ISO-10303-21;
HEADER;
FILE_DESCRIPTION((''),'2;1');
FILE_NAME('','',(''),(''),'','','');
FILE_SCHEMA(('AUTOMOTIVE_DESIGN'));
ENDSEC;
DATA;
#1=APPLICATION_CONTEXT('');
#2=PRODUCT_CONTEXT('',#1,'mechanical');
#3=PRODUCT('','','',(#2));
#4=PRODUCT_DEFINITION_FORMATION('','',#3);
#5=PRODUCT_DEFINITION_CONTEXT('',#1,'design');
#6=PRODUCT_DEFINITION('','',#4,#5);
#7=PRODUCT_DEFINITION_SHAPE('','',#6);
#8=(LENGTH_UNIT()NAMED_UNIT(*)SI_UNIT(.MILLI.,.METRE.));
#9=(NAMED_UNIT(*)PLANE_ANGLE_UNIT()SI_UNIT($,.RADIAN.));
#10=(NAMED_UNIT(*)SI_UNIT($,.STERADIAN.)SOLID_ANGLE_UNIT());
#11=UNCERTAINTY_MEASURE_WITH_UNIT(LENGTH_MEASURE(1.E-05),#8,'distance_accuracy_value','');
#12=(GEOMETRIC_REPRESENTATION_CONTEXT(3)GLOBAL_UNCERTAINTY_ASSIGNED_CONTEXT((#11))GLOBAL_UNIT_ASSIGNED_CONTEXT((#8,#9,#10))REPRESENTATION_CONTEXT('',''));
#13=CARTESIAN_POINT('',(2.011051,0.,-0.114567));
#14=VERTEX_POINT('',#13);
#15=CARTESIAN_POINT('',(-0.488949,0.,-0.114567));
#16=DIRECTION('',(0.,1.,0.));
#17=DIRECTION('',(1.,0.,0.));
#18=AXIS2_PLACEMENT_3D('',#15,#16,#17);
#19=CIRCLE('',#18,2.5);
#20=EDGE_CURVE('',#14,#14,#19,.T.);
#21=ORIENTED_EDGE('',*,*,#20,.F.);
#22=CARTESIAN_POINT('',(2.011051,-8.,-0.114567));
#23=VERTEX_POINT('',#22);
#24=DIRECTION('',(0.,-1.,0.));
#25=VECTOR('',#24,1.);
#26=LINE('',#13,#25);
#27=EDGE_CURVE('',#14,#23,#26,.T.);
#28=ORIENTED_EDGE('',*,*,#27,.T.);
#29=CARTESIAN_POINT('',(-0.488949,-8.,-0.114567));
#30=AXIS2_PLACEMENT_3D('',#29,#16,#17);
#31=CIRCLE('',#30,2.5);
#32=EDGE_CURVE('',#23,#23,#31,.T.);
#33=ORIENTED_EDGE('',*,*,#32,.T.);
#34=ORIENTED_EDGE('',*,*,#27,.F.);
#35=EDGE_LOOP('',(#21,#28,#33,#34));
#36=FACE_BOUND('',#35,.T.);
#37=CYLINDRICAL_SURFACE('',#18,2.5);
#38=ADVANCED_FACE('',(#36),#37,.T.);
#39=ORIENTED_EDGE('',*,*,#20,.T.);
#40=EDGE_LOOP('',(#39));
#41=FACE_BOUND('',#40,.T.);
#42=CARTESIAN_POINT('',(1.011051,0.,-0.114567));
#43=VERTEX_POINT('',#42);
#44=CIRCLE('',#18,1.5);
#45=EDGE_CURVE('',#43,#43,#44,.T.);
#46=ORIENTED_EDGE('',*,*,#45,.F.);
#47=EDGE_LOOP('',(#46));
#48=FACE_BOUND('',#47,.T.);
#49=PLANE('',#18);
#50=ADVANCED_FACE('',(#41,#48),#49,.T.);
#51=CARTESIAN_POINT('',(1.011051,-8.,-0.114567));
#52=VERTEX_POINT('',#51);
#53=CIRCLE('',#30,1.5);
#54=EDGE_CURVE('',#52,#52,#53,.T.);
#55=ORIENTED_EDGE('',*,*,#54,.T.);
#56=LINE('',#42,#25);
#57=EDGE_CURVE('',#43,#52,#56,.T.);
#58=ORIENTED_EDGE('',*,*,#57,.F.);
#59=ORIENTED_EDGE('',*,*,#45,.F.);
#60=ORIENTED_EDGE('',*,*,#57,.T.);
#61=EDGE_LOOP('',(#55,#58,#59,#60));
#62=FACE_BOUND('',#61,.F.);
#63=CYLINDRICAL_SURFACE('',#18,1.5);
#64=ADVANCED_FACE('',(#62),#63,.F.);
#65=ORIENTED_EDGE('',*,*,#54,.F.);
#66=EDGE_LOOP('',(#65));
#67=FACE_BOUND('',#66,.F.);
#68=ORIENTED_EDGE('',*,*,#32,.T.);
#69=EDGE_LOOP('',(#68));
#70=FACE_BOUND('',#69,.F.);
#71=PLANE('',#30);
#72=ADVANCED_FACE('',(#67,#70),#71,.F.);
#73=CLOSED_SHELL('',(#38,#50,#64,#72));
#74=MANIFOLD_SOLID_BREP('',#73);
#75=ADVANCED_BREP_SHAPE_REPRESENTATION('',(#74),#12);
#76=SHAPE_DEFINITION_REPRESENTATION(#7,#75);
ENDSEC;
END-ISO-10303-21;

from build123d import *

# Parameters (mm, degrees)
SKETCH1_R           = 2.5
SKETCH1_R_2         = 1.5
BOSS_EXTRUDE1_DEPTH = 8


with BuildPart() as part:
    # Sketch1 → Boss-Extrude1 (new body)
    with BuildSketch(Plane(origin=(0, 0, 0), x_dir=(1, 0, 0), z_dir=(0, 1, 0))):
        with Locations((-0.488949405, 0.114567218)):
            Circle(SKETCH1_R)
        with Locations((-0.488949405, 0.114567218)):
            Circle(SKETCH1_R_2, mode=Mode.SUBTRACT)
    extrude(amount=-BOSS_EXTRUDE1_DEPTH)


solid = part.part
